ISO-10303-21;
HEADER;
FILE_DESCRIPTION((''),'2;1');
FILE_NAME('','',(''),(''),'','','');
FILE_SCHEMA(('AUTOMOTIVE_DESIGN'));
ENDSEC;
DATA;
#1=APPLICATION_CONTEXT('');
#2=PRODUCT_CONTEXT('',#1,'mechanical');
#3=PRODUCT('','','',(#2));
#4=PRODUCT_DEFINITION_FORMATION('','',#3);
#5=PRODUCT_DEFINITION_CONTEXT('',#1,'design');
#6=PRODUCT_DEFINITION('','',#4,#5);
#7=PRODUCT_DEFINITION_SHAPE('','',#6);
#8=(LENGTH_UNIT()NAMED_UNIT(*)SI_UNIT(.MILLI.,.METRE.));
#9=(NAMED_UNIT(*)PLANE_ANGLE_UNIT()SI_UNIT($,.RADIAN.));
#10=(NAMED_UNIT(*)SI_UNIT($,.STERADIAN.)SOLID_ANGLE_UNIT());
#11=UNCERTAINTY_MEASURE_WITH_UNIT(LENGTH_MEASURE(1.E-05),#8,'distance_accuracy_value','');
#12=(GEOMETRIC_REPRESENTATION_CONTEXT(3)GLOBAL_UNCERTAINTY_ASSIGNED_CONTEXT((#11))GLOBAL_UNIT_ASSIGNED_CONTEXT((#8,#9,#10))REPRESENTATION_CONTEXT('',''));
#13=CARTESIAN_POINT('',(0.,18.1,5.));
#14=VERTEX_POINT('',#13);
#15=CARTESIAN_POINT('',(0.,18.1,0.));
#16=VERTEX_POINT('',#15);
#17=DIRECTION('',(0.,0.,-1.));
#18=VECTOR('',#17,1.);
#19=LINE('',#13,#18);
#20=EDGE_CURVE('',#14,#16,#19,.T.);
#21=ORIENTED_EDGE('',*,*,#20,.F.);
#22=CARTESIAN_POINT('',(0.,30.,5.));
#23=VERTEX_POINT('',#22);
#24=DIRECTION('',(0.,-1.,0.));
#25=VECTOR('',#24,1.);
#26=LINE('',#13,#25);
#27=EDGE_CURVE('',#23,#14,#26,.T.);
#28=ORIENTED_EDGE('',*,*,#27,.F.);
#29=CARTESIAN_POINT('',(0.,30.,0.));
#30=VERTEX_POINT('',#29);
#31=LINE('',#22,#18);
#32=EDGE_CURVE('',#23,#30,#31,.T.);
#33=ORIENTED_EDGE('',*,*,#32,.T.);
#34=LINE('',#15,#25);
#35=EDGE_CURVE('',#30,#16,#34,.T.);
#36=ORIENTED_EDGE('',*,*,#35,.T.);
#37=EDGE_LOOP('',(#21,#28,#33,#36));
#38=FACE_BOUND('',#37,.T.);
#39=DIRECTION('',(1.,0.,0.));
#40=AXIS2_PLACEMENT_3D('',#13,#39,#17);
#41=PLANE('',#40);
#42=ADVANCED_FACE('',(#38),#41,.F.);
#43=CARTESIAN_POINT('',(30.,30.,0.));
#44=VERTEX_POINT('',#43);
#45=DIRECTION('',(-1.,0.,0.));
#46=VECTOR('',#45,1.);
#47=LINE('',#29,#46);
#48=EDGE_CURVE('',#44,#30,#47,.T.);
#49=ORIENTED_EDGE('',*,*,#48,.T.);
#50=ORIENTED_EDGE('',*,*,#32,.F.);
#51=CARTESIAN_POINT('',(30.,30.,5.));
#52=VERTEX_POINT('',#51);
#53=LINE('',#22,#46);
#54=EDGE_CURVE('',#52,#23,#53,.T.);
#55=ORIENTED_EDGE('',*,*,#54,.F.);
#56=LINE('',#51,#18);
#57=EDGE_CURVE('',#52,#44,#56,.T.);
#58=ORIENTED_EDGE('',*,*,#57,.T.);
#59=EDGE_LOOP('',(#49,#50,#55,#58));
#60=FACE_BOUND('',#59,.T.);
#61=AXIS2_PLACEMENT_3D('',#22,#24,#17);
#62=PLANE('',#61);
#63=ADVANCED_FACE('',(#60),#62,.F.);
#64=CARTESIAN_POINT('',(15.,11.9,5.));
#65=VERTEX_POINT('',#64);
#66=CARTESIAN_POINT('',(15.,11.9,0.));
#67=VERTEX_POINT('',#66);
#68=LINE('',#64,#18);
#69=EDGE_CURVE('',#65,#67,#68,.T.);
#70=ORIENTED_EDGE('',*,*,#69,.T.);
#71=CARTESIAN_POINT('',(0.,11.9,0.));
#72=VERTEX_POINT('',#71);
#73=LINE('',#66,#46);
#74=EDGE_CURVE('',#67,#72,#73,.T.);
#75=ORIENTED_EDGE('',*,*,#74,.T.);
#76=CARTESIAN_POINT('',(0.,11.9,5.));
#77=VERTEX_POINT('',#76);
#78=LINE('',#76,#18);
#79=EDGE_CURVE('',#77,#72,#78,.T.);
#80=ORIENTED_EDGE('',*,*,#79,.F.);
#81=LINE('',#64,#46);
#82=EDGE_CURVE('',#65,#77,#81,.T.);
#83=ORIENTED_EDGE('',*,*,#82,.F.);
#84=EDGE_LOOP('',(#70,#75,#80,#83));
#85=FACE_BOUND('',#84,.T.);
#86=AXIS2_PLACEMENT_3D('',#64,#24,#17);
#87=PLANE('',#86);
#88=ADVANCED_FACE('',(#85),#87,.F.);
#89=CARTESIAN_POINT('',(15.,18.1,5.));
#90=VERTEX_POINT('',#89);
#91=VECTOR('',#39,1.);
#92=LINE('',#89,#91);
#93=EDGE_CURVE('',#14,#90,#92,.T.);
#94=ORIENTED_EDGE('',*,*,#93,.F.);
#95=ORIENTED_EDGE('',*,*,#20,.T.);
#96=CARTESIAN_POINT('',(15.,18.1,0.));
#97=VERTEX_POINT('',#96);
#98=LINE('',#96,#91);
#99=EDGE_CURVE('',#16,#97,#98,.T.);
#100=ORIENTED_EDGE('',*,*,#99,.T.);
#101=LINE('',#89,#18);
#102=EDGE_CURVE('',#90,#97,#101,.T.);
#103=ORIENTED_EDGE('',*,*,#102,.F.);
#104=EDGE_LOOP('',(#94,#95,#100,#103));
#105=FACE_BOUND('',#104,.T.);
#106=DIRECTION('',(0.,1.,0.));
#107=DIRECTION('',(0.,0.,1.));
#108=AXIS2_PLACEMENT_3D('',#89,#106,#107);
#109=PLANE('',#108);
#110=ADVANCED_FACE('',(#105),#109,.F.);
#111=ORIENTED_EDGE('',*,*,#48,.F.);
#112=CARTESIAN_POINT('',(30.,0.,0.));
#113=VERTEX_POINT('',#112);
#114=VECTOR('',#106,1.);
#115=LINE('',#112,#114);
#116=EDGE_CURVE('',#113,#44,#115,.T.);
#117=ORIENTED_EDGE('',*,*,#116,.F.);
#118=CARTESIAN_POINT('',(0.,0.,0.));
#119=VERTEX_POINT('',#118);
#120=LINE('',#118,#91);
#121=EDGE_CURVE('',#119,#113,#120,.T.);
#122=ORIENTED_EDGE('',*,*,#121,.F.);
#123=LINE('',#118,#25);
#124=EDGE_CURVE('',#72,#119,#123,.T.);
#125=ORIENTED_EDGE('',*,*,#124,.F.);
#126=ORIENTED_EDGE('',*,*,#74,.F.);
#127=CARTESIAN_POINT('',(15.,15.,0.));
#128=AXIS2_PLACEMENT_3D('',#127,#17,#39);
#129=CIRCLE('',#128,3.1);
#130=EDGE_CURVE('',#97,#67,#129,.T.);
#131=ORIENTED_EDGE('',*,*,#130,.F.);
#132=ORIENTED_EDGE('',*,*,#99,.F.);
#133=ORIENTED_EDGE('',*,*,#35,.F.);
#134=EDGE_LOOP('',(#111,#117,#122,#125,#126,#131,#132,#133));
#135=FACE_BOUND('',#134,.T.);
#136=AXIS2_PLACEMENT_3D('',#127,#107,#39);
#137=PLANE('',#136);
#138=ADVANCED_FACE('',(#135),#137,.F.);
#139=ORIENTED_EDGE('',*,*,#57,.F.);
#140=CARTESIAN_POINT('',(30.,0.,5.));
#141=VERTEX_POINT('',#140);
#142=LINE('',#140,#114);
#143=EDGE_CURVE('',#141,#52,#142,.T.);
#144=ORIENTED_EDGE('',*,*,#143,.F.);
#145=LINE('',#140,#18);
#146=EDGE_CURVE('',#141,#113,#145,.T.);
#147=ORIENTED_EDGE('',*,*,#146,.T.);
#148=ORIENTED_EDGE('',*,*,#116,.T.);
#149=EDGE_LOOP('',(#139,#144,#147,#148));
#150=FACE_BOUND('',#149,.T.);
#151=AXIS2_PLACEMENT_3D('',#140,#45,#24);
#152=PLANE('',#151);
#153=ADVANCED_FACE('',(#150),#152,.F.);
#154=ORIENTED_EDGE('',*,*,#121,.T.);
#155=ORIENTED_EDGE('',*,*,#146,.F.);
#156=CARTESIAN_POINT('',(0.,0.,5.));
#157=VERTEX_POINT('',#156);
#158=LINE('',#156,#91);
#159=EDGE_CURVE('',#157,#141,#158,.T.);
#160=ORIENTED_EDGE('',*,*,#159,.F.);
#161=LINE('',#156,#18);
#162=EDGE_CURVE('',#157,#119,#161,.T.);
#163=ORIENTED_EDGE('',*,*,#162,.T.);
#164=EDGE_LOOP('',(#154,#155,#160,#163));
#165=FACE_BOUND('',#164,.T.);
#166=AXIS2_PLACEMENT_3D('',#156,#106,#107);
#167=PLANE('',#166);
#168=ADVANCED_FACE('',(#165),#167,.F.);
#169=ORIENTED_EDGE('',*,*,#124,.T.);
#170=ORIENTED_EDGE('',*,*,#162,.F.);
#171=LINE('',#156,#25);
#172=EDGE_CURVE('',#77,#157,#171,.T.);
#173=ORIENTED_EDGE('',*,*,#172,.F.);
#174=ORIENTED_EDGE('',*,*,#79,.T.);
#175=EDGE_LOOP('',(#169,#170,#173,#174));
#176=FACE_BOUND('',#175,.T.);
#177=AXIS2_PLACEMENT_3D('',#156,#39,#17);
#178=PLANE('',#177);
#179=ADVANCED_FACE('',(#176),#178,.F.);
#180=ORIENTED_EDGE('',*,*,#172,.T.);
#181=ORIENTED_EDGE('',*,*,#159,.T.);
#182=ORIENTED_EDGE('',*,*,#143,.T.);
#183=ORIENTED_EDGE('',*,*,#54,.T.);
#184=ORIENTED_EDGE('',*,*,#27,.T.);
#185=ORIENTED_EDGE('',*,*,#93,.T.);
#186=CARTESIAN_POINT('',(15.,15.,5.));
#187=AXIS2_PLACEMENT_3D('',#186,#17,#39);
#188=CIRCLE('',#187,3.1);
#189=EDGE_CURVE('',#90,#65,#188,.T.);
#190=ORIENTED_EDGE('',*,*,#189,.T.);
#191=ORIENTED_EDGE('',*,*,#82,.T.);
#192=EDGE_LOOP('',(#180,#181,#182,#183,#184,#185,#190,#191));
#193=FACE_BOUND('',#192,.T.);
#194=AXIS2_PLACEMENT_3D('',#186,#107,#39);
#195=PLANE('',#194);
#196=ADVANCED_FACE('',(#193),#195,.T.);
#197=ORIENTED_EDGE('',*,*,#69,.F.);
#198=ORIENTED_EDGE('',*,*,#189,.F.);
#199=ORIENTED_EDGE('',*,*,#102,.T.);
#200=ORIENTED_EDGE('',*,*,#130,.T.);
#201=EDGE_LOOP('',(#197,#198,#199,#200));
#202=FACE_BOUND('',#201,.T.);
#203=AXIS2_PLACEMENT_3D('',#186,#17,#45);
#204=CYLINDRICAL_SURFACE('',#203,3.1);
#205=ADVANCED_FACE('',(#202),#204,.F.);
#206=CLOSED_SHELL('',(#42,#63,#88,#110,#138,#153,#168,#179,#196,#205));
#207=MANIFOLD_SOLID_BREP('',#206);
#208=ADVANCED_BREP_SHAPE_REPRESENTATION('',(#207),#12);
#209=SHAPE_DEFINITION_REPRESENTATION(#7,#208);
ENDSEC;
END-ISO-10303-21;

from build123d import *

# Parameters (mm, degrees)
BOSS_EXTRUDE1_DEPTH = 5


with BuildPart() as part:
    # Sketch1 → Boss-Extrude1 (new body)
    with BuildSketch(Plane.XY):
        with BuildLine():
            Line((15, 18.1), (0, 18.1))
            Line((0, 18.1), (0, 30))
            Line((0, 30), (30, 30))
            Line((30, 30), (30, 0))
            Line((30, 0), (0, 0))
            Line((0, 0), (0, 11.9))
            Line((0, 11.9), (15, 11.9))
            ThreePointArc((15, 11.9), (18.1, 15), (15, 18.1))
        make_face()
    extrude(amount=BOSS_EXTRUDE1_DEPTH)


solid = part.part
